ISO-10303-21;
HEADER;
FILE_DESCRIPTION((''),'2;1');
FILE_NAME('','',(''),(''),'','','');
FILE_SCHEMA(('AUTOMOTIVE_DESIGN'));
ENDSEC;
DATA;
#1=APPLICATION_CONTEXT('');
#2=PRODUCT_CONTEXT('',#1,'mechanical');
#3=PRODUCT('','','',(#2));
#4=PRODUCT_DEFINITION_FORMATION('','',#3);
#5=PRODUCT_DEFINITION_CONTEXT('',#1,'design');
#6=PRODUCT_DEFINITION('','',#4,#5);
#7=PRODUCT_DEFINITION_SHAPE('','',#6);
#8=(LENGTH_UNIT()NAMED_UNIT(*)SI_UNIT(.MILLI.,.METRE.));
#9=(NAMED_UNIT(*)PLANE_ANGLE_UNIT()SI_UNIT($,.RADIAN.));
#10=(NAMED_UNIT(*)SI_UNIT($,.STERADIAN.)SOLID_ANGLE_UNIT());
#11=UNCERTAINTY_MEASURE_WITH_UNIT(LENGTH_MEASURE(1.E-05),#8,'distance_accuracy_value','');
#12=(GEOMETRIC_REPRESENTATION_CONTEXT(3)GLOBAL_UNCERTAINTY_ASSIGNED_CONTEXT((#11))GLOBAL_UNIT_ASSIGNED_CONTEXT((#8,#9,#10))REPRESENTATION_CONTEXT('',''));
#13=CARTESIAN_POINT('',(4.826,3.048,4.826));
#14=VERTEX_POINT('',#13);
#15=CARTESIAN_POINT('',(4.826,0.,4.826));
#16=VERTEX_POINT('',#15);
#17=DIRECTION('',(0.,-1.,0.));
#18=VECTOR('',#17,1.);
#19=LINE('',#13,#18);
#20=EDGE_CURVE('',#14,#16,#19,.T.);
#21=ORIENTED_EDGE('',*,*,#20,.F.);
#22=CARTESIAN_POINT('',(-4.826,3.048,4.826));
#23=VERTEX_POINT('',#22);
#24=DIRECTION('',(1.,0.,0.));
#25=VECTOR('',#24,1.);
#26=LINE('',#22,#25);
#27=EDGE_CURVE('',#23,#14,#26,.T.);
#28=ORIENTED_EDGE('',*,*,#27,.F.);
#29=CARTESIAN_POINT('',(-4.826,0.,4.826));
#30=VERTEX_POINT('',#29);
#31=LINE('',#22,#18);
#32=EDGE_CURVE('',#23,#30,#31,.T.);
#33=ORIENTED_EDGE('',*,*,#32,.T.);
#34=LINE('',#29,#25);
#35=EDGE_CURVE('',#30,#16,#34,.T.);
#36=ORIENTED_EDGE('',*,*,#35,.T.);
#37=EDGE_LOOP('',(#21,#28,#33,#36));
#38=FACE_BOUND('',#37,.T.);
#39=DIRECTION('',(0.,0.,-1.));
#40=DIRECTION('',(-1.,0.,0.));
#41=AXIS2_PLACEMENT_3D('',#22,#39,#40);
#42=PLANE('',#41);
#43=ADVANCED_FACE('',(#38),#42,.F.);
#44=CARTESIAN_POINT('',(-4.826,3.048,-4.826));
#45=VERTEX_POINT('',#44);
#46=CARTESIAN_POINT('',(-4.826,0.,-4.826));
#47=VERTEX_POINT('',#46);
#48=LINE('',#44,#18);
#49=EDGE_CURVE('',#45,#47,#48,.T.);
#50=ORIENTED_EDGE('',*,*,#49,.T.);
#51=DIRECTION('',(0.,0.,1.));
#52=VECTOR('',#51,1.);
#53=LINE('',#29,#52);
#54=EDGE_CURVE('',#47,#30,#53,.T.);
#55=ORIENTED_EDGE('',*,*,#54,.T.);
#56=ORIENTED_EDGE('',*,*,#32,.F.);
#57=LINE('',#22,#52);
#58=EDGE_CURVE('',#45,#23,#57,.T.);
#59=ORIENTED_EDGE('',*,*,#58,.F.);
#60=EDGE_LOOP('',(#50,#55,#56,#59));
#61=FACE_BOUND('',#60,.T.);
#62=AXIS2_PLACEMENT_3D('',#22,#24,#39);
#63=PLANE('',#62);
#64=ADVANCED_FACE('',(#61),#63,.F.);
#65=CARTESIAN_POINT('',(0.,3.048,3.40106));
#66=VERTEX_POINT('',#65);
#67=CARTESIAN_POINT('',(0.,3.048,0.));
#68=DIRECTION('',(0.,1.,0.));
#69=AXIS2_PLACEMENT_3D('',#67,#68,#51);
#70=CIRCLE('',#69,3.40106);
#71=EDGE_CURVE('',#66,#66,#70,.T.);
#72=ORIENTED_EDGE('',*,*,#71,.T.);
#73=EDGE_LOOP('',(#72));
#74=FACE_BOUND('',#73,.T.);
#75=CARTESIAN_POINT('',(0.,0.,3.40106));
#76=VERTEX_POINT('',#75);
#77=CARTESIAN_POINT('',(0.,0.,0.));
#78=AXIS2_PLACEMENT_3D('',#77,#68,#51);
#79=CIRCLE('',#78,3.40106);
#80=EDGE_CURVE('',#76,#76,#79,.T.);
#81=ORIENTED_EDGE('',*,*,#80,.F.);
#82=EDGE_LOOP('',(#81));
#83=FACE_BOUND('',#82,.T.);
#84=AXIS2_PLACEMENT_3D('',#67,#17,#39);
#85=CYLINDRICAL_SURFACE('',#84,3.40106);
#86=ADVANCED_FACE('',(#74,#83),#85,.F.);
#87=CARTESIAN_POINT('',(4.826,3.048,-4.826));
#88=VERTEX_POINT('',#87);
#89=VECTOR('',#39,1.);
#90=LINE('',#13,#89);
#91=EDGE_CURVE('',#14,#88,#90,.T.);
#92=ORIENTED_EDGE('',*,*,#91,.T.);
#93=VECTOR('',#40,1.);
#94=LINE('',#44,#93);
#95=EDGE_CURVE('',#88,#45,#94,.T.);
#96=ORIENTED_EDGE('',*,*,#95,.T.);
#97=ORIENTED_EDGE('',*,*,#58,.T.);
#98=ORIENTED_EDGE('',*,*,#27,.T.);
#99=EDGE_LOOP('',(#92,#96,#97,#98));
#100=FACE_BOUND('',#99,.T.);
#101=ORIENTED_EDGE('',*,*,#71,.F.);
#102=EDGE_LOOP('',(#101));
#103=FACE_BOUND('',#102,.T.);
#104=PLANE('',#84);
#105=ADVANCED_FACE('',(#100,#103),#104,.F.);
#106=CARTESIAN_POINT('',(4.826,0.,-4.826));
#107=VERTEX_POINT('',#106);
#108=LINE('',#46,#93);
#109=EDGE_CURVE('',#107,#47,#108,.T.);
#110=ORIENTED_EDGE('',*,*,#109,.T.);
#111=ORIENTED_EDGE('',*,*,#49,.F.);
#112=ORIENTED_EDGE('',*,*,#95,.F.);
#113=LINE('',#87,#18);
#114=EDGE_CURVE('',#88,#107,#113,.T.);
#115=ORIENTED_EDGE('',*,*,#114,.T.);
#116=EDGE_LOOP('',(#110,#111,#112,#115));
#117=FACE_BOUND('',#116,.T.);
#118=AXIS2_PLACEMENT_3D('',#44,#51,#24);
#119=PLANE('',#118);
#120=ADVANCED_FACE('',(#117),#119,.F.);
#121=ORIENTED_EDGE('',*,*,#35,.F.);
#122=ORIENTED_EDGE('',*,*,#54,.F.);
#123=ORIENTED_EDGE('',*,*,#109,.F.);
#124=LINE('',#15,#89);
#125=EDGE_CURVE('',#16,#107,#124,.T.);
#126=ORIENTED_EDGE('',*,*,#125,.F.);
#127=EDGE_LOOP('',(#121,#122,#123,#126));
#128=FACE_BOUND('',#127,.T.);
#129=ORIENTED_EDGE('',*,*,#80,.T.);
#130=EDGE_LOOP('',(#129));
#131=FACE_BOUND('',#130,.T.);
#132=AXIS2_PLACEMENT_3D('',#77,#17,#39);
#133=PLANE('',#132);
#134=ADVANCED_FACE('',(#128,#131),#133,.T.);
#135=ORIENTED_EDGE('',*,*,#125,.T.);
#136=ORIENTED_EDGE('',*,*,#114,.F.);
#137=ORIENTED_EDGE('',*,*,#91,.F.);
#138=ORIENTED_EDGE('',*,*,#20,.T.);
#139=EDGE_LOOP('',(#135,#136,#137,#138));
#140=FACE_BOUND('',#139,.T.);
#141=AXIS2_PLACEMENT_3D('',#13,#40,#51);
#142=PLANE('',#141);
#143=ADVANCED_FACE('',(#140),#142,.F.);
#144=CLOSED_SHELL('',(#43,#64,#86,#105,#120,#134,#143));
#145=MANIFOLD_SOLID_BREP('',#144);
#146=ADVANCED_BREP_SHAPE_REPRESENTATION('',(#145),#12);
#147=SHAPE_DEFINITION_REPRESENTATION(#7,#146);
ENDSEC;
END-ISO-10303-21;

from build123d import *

# Parameters (mm, degrees)
SKETCH1_W           = 9.652
SKETCH1_H           = 9.652
SKETCH1_R           = 3.40106
BOSS_EXTRUDE1_DEPTH = 3.048


with BuildPart() as part:
    # Sketch1 → Boss-Extrude1 (new body)
    with BuildSketch(Plane(origin=(0, 0, 0), x_dir=(1, 0, 0), z_dir=(0, 1, 0))):
        Rectangle(SKETCH1_W, SKETCH1_H)
        Circle(SKETCH1_R, mode=Mode.SUBTRACT)
    extrude(amount=BOSS_EXTRUDE1_DEPTH)


solid = part.part
